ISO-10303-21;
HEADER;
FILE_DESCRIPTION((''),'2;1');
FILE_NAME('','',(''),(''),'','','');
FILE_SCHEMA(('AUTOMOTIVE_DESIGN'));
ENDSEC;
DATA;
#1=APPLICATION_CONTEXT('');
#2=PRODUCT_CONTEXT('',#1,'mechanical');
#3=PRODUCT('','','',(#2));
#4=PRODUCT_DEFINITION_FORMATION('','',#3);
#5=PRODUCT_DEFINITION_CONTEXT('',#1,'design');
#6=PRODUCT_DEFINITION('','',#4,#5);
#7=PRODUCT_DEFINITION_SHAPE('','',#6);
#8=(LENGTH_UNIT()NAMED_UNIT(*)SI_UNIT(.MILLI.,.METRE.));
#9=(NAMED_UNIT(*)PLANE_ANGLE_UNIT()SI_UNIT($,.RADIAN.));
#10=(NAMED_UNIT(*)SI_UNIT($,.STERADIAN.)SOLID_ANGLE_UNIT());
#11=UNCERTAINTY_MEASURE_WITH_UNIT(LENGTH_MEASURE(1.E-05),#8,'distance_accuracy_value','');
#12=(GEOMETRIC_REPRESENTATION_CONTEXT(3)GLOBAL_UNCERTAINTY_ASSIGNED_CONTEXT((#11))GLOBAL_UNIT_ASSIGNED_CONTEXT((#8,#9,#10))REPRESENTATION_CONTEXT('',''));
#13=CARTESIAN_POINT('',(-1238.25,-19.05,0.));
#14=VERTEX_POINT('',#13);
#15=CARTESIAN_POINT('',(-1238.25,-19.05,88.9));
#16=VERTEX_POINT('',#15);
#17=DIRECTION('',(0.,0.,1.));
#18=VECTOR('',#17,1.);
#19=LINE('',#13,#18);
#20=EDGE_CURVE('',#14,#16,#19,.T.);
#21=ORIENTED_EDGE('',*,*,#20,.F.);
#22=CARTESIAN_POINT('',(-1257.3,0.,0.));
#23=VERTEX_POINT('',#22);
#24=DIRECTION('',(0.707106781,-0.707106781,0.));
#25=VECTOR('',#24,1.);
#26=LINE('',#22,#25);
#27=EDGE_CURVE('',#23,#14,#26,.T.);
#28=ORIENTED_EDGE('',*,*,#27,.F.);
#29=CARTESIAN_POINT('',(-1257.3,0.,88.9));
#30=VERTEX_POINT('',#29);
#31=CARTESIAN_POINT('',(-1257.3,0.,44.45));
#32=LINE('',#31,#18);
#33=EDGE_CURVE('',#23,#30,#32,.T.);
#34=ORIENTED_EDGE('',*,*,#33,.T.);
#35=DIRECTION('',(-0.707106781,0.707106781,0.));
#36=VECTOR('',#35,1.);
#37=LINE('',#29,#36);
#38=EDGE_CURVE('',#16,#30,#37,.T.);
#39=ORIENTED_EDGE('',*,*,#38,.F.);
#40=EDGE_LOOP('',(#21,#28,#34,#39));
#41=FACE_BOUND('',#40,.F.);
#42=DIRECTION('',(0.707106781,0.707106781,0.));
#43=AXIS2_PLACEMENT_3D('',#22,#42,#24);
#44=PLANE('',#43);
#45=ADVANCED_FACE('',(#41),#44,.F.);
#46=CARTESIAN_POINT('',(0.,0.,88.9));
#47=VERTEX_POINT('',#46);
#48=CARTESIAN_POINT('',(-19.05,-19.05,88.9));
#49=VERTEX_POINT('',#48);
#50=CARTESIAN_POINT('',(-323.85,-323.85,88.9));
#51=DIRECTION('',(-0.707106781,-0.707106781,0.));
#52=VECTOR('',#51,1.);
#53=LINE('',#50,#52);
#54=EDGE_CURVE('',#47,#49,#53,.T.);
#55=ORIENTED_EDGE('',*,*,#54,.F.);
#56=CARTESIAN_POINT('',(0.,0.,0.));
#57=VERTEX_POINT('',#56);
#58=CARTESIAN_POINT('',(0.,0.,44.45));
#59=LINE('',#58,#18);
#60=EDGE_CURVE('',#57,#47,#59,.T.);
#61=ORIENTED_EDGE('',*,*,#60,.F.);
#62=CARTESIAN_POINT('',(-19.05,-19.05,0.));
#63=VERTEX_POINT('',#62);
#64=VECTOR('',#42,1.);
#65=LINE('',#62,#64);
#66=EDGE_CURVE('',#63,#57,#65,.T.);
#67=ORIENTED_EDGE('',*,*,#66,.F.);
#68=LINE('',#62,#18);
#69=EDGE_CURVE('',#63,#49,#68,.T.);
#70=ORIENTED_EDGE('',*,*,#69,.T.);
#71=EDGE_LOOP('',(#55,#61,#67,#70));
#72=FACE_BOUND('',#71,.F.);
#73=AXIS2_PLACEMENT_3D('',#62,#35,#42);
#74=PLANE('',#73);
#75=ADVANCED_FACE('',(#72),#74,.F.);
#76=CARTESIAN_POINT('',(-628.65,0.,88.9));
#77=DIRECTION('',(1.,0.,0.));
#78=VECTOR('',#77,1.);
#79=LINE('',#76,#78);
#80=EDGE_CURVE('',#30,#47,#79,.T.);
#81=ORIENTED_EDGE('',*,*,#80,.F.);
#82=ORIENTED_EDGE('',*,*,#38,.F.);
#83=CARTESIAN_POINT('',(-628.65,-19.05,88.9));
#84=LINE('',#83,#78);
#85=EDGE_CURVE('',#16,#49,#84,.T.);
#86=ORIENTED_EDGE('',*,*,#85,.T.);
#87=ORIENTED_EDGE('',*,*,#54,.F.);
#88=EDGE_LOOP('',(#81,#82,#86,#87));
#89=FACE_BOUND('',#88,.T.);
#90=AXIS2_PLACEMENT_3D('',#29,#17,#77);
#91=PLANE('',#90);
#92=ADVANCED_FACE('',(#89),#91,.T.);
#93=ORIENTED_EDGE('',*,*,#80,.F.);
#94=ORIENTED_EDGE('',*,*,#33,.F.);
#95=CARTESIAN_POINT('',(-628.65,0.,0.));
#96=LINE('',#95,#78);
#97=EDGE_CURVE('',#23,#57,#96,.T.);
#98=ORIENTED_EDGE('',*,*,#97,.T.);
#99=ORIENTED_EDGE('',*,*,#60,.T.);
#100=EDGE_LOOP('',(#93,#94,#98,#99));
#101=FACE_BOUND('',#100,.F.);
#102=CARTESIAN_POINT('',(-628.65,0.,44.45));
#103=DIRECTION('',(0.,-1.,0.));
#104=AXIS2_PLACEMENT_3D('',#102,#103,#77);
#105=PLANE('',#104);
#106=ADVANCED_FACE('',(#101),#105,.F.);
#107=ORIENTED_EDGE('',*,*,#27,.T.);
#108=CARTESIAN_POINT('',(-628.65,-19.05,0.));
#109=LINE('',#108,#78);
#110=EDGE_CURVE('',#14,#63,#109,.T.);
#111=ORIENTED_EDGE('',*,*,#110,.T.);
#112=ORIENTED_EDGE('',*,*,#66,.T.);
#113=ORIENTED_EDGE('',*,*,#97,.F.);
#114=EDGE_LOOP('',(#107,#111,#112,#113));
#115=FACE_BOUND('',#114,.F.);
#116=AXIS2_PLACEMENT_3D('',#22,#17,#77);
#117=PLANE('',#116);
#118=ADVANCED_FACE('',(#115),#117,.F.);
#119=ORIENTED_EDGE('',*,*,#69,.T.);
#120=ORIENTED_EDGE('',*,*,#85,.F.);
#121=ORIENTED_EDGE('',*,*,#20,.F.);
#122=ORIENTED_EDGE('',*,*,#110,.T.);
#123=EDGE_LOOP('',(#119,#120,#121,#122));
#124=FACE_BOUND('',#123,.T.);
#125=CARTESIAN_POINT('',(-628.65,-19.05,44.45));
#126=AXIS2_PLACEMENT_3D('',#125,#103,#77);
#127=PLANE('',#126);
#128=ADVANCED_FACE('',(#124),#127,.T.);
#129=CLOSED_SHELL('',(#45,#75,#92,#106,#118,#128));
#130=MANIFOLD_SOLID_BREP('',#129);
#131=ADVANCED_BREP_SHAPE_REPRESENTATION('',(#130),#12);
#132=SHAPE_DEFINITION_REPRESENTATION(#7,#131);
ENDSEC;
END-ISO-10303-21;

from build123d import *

# Parameters (mm, degrees)
F0_W     = 1257.3
F0_H     = 88.9
F1_DEPTH = 19.05
F3_DEPTH = 127
F5_DEPTH = 127


with BuildPart() as f1:
    # F0 (on Front) → F1 (new body)
    with BuildSketch(Plane.XZ):
        with Locations((-628.65, 44.45)):
            Rectangle(F0_W, F0_H)
    extrude(amount=F1_DEPTH)

    # F2 (on face) → F3 (cut)
    with BuildSketch(Plane(origin=(0, 0, 0), x_dir=(1, 0, 0), z_dir=(0, 0, -1))):
        Polygon((-1257.3, 19.05), (-1257.3, 0), (-1238.25, 19.05), align=None)
    extrude(amount=-F3_DEPTH, mode=Mode.SUBTRACT)

    # F4 (on face) → F5 (cut)
    with BuildSketch(Plane(origin=(0, 0, 0), x_dir=(1, 0, 0), z_dir=(0, 0, -1))):
        Polygon((-19.05, 19.05), (0, 0), (0, 19.05), align=None)
    extrude(amount=-F5_DEPTH, mode=Mode.SUBTRACT)


solid = f1.part
